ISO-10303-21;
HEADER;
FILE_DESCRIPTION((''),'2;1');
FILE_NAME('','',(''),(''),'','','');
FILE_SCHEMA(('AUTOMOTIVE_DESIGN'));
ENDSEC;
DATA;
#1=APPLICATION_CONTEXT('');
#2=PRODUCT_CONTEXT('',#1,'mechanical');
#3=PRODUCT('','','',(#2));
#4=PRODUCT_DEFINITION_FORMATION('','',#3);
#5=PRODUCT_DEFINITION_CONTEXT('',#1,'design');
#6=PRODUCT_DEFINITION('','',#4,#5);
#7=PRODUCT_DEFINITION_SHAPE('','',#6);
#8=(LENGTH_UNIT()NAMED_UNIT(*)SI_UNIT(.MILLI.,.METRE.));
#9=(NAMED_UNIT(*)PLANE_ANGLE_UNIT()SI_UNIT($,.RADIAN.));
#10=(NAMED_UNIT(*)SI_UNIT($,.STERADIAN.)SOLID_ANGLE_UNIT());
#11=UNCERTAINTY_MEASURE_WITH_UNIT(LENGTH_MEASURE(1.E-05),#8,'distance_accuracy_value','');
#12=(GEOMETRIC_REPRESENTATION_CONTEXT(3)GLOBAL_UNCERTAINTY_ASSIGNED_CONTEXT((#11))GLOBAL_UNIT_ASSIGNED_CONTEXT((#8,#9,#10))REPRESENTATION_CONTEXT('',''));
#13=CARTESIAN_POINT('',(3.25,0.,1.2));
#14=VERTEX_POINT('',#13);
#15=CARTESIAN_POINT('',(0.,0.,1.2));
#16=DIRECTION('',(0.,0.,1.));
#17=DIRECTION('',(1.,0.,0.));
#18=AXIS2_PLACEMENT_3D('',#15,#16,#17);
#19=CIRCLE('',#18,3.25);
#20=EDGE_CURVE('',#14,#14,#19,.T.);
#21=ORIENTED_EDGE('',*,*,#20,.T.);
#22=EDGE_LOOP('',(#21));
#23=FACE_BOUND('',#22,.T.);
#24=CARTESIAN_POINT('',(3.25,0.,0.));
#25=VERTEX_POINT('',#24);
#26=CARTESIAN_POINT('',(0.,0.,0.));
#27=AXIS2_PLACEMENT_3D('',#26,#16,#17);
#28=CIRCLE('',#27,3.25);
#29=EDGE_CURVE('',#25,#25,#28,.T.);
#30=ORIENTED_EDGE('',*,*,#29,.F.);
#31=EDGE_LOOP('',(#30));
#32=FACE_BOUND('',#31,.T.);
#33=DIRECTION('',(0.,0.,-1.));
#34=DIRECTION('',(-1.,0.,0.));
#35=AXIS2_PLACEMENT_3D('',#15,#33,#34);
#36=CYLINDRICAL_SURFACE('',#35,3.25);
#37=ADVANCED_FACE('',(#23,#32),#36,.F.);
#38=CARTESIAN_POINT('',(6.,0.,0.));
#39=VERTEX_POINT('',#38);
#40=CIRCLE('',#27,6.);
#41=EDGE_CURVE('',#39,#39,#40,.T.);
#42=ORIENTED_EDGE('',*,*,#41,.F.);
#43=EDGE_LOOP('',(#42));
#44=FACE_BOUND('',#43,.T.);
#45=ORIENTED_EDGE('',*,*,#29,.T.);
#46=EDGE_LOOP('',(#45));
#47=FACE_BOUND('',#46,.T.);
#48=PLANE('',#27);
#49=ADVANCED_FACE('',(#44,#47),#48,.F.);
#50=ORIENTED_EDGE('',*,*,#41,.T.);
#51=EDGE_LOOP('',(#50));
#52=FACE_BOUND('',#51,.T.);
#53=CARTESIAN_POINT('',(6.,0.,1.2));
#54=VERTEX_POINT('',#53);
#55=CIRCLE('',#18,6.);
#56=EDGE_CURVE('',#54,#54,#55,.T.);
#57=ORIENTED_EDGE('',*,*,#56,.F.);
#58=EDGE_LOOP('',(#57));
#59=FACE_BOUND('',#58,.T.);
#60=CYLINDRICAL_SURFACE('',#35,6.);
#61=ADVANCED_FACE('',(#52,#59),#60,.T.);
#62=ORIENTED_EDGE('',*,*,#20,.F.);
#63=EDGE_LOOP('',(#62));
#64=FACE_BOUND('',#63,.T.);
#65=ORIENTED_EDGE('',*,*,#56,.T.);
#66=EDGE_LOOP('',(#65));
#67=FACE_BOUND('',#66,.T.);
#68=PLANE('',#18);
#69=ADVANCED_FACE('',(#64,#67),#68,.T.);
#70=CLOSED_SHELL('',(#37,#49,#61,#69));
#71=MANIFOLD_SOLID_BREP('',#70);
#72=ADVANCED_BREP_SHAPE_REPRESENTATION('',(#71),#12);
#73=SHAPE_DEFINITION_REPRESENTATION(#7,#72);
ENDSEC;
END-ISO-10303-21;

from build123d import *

# Parameters (mm, degrees)
ESQUISSE1_R      = 6
ESQUISSE1_R_2    = 3.25
EXTRUSION1_DEPTH = 1.2


with BuildPart() as part:
    # Esquisse1 → Extrusion1 (new body)
    with BuildSketch(Plane.XY):
        Circle(ESQUISSE1_R)
        Circle(ESQUISSE1_R_2, mode=Mode.SUBTRACT)
    extrude(amount=EXTRUSION1_DEPTH)


solid = part.part
